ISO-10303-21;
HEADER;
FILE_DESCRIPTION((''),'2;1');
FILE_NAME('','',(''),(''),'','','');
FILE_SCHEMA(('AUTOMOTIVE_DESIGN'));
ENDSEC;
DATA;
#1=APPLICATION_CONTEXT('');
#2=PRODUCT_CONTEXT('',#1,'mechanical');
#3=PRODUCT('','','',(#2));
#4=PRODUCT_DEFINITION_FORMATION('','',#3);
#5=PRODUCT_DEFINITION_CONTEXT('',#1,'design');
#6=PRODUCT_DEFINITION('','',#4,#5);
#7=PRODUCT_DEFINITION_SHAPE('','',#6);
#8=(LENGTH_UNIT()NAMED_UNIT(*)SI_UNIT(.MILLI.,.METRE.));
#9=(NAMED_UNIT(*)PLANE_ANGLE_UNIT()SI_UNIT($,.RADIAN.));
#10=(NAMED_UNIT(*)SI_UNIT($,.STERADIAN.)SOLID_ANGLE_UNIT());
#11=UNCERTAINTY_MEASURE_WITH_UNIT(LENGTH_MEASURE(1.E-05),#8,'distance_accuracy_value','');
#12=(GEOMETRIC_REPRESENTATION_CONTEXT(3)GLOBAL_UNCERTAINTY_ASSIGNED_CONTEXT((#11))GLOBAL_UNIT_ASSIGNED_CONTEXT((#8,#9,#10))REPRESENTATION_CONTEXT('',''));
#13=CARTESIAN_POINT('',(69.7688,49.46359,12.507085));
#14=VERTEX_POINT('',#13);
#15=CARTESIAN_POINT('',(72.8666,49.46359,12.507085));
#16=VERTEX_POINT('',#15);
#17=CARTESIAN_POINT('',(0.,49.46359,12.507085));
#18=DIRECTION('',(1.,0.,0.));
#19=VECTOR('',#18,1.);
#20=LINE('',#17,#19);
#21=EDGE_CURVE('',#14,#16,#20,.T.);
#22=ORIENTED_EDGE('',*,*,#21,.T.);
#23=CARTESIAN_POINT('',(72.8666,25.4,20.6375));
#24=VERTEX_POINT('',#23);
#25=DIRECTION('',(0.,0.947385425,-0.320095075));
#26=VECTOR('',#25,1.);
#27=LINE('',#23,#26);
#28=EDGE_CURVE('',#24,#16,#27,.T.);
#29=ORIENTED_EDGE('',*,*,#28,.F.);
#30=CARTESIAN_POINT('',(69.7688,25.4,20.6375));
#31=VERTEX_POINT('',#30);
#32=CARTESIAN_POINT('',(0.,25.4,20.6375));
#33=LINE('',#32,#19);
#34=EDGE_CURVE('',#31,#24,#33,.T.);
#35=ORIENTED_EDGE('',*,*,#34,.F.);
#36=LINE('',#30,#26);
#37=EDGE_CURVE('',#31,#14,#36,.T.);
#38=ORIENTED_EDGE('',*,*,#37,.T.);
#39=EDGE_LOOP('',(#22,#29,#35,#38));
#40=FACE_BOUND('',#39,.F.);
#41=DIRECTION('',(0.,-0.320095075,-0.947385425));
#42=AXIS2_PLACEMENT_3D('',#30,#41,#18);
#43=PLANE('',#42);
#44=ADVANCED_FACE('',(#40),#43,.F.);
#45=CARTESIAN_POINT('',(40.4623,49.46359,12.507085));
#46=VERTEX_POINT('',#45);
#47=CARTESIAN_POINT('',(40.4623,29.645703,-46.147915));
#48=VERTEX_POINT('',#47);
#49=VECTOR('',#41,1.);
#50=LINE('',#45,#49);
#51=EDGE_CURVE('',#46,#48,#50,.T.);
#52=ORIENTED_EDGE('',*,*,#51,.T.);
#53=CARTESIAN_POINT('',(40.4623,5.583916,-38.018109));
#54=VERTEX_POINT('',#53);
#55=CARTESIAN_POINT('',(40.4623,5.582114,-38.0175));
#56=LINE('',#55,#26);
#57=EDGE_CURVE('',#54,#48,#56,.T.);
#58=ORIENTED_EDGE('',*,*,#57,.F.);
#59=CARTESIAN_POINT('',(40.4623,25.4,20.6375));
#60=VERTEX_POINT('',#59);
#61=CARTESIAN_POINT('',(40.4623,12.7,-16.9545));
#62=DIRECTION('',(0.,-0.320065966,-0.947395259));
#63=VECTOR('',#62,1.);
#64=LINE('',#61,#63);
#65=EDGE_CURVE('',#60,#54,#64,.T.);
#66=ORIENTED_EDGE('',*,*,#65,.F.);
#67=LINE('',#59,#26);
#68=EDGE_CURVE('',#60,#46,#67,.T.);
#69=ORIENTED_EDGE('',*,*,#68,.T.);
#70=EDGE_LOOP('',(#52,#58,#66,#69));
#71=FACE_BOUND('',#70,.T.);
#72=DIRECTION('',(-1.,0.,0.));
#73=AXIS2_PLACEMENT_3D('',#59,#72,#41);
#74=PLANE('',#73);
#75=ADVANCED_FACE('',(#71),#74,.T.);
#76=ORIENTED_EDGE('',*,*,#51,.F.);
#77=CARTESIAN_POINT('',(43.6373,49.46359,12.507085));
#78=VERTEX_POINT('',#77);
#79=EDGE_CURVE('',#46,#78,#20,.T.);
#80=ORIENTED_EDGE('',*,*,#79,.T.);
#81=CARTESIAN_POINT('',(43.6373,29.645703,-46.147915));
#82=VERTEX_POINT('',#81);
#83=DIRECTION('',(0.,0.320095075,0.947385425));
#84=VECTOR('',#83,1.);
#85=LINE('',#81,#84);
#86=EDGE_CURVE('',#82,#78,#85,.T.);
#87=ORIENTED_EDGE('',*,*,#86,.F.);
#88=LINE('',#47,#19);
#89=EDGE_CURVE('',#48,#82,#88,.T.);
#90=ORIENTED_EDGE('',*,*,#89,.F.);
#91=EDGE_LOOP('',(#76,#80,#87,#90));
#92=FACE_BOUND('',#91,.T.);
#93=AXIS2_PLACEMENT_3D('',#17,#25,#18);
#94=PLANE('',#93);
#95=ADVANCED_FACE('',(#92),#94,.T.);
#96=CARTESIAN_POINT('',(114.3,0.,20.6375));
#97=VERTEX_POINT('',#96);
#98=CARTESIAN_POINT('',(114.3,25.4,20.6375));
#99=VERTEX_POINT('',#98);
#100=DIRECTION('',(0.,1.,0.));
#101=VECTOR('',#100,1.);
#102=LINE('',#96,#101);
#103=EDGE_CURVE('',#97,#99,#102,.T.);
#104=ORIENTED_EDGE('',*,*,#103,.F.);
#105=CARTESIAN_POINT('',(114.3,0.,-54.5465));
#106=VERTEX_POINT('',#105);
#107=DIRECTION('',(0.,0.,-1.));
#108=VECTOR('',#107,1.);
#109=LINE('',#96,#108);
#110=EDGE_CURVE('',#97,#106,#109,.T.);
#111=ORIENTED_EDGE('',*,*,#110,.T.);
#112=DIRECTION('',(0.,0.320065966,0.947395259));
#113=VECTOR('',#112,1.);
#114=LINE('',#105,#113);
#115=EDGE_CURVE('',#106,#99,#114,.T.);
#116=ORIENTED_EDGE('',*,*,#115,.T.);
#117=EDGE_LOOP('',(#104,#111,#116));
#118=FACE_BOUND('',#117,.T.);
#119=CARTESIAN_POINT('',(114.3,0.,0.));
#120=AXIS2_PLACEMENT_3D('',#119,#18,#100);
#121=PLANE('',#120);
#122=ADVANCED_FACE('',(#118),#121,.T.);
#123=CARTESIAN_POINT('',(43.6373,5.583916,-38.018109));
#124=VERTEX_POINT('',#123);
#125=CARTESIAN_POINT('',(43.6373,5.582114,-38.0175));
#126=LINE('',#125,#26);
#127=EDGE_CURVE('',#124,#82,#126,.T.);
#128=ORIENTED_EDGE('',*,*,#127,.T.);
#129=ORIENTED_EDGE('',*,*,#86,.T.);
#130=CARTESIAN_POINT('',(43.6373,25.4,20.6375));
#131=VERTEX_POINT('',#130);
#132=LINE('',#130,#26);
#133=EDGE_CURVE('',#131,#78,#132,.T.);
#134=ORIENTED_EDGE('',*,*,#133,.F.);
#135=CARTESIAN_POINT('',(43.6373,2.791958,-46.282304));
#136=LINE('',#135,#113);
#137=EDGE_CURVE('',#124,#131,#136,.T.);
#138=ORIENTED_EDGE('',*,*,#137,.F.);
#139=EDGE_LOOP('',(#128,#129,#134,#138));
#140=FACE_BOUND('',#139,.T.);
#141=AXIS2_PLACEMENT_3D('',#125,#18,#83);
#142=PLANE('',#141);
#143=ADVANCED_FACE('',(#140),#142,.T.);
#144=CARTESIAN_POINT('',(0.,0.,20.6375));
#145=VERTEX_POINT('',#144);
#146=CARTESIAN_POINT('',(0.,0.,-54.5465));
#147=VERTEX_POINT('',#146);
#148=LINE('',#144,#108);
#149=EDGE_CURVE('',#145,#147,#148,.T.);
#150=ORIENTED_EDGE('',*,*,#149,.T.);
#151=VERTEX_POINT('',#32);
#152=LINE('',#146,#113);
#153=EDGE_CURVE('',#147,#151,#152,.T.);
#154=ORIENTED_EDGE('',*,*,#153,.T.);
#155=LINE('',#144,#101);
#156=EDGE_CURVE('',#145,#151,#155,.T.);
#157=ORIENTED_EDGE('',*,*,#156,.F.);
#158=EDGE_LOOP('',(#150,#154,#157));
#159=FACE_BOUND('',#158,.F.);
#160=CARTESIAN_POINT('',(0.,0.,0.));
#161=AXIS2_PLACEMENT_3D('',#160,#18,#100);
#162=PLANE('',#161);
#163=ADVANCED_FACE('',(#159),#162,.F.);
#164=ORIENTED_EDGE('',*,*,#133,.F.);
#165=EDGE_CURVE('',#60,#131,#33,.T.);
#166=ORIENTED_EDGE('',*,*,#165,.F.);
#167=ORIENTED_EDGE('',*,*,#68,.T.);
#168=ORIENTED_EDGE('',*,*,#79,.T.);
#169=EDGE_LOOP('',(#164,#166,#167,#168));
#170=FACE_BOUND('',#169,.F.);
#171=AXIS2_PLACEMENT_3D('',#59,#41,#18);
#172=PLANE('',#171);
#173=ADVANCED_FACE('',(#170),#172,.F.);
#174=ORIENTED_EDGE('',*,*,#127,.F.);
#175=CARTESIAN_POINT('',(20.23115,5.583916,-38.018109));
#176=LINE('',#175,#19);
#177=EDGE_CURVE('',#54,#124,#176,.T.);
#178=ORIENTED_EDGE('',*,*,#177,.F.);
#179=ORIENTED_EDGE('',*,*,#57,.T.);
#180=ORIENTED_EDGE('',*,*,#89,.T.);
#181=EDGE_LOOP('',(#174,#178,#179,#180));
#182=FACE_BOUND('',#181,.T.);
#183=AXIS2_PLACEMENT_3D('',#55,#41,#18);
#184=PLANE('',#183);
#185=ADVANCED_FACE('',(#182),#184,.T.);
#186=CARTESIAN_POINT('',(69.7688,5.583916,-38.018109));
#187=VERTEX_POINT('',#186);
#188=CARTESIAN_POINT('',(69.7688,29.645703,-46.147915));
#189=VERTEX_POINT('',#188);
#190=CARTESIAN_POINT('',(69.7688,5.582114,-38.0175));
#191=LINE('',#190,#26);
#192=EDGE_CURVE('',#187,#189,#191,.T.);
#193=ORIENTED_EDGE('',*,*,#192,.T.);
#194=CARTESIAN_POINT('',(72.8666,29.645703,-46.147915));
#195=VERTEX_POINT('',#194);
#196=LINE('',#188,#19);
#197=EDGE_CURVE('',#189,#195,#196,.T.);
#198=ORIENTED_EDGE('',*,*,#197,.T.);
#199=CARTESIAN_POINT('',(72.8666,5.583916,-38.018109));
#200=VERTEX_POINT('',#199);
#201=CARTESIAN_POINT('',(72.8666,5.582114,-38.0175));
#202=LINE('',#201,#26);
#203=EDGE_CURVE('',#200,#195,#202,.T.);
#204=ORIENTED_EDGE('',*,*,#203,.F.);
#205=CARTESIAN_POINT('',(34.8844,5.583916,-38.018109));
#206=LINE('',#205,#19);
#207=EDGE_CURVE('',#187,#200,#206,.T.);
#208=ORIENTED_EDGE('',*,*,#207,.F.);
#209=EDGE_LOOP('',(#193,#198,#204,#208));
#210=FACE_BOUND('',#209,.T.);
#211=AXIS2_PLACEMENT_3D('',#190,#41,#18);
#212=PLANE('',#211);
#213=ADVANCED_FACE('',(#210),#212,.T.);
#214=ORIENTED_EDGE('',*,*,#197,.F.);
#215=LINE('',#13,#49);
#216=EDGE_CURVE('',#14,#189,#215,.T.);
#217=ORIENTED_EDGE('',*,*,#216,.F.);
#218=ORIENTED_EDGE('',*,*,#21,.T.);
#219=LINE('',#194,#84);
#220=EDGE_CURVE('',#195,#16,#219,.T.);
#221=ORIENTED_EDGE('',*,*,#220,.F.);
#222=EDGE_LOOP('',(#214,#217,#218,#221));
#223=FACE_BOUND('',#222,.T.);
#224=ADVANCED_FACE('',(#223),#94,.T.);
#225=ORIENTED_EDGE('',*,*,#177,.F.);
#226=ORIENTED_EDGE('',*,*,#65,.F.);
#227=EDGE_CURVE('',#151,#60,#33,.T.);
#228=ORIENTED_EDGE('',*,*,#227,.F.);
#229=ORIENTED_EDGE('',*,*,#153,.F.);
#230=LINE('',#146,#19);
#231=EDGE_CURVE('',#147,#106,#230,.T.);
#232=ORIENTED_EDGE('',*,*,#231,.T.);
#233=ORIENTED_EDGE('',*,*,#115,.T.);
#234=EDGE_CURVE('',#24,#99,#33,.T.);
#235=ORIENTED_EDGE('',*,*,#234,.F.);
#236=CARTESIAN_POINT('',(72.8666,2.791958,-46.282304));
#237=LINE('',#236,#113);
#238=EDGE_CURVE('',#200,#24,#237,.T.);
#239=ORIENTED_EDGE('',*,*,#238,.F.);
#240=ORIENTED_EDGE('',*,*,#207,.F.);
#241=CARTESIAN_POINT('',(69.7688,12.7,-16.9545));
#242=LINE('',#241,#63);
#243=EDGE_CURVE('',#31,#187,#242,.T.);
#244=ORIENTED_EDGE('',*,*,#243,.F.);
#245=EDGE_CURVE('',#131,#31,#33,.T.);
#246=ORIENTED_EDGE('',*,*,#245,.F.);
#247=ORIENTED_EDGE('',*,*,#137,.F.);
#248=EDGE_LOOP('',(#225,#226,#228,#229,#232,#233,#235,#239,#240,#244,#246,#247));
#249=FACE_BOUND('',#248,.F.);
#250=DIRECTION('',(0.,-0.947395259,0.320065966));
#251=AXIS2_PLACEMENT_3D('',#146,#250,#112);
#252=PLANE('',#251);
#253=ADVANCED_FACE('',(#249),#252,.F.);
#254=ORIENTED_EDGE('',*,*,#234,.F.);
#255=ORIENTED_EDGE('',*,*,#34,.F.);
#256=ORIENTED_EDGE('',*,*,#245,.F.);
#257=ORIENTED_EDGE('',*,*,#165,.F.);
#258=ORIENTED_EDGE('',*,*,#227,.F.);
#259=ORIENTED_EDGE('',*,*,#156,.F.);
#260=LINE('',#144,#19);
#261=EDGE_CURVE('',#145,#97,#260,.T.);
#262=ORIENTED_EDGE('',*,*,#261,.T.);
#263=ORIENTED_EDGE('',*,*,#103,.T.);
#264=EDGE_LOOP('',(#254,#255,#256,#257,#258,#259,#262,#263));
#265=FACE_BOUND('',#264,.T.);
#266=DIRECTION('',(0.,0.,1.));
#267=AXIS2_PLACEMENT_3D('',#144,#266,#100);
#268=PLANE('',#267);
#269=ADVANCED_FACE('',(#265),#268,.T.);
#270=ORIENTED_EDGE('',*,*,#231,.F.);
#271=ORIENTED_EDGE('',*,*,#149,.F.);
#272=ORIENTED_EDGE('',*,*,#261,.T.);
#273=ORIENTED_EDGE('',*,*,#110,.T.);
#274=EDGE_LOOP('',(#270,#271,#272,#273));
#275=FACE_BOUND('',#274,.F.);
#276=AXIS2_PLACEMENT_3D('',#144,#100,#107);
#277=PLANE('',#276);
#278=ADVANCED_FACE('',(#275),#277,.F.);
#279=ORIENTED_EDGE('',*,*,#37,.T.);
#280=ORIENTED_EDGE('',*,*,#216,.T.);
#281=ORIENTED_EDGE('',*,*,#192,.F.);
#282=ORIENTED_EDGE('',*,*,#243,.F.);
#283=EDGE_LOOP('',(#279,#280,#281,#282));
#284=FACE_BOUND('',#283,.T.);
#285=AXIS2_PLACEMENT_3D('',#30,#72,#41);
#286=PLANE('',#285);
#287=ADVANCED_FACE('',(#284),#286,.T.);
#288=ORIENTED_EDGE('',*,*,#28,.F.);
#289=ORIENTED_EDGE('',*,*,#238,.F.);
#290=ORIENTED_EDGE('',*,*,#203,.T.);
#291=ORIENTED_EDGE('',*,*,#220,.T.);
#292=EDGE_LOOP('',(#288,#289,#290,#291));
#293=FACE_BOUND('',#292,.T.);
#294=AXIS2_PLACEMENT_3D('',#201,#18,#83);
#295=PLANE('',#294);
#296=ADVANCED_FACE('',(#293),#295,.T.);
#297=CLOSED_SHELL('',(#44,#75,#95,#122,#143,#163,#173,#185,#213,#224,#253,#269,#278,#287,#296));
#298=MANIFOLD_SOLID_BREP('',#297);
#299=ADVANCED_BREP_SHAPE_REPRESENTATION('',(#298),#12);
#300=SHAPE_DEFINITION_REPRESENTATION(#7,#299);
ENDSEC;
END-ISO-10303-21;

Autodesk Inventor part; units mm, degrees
ref_plane "YZ Plane" through (0, 0, 0) normal (1, 0, 0) x (0, 1, 0)
ref_plane "XZ Plane" through (0, 0, 0) normal (0, 1, 0) x (-1, 0, 0)
ref_plane "XY Plane" through (0, 0, 0) normal (0, 0, 1) x (1, 0, 0)
sketch "Sketch1" plane through (0, 0, 0) normal (1, 0, 0) x (0, 1, 0)
  line L0 (0, 20.6375) -> (25.4, 20.6375)
  line L1 (0, 20.6375) -> (0, -54.5465)
  line L2 (0, -54.5465) -> (25.4, 20.6375)
  point P0 (0, 0)
  dimension "d0" = 25.4
  dimension "d1" = 75.184
extrude "Extrusion1" add sketch "Sketch1" along normal blind 114.3
sketch "Sketch2" plane through (0, 25.4, 20.6375) normal (0, 0.9474, -0.3201) x (1, 0, 0)
  line L0 (0, 79.3586) -> (0, 0) projected
  line L1 (0, 0) -> (114.3, 0) projected
  line L2 (114.3, 79.3586) -> (114.3, 0) projected
  line L3 (0, 79.3586) -> (114.3, 79.3586) projected
  line L4 (0, 0) -> (114.3, 0) projected
  line L5 (72.8666, 0) -> (69.7688, 0)
  line L6 (69.7688, 0) -> (69.7688, 61.9125)
  line L7 (69.7688, 61.9125) -> (72.8666, 61.9125)
  line L8 (72.8666, 61.9125) -> (72.8666, 0)
  line L9 (43.6373, 0) -> (40.4623, 0)
  line L10 (40.4623, 0) -> (40.4623, 61.9125)
  line L11 (40.4623, 61.9125) -> (43.6373, 61.9125)
  line L12 (43.6373, 61.9125) -> (43.6373, 0)
  point P0 (0, 27.6815)
  dimension "d4" = 3.175
extrude "Extrusion2" add sketch "Sketch2" along normal blind 25.4 contours L10 L11 L12 L1 | L1 L6 L7 L8
properties part number "WOODEN CORRECT SLIDER"
